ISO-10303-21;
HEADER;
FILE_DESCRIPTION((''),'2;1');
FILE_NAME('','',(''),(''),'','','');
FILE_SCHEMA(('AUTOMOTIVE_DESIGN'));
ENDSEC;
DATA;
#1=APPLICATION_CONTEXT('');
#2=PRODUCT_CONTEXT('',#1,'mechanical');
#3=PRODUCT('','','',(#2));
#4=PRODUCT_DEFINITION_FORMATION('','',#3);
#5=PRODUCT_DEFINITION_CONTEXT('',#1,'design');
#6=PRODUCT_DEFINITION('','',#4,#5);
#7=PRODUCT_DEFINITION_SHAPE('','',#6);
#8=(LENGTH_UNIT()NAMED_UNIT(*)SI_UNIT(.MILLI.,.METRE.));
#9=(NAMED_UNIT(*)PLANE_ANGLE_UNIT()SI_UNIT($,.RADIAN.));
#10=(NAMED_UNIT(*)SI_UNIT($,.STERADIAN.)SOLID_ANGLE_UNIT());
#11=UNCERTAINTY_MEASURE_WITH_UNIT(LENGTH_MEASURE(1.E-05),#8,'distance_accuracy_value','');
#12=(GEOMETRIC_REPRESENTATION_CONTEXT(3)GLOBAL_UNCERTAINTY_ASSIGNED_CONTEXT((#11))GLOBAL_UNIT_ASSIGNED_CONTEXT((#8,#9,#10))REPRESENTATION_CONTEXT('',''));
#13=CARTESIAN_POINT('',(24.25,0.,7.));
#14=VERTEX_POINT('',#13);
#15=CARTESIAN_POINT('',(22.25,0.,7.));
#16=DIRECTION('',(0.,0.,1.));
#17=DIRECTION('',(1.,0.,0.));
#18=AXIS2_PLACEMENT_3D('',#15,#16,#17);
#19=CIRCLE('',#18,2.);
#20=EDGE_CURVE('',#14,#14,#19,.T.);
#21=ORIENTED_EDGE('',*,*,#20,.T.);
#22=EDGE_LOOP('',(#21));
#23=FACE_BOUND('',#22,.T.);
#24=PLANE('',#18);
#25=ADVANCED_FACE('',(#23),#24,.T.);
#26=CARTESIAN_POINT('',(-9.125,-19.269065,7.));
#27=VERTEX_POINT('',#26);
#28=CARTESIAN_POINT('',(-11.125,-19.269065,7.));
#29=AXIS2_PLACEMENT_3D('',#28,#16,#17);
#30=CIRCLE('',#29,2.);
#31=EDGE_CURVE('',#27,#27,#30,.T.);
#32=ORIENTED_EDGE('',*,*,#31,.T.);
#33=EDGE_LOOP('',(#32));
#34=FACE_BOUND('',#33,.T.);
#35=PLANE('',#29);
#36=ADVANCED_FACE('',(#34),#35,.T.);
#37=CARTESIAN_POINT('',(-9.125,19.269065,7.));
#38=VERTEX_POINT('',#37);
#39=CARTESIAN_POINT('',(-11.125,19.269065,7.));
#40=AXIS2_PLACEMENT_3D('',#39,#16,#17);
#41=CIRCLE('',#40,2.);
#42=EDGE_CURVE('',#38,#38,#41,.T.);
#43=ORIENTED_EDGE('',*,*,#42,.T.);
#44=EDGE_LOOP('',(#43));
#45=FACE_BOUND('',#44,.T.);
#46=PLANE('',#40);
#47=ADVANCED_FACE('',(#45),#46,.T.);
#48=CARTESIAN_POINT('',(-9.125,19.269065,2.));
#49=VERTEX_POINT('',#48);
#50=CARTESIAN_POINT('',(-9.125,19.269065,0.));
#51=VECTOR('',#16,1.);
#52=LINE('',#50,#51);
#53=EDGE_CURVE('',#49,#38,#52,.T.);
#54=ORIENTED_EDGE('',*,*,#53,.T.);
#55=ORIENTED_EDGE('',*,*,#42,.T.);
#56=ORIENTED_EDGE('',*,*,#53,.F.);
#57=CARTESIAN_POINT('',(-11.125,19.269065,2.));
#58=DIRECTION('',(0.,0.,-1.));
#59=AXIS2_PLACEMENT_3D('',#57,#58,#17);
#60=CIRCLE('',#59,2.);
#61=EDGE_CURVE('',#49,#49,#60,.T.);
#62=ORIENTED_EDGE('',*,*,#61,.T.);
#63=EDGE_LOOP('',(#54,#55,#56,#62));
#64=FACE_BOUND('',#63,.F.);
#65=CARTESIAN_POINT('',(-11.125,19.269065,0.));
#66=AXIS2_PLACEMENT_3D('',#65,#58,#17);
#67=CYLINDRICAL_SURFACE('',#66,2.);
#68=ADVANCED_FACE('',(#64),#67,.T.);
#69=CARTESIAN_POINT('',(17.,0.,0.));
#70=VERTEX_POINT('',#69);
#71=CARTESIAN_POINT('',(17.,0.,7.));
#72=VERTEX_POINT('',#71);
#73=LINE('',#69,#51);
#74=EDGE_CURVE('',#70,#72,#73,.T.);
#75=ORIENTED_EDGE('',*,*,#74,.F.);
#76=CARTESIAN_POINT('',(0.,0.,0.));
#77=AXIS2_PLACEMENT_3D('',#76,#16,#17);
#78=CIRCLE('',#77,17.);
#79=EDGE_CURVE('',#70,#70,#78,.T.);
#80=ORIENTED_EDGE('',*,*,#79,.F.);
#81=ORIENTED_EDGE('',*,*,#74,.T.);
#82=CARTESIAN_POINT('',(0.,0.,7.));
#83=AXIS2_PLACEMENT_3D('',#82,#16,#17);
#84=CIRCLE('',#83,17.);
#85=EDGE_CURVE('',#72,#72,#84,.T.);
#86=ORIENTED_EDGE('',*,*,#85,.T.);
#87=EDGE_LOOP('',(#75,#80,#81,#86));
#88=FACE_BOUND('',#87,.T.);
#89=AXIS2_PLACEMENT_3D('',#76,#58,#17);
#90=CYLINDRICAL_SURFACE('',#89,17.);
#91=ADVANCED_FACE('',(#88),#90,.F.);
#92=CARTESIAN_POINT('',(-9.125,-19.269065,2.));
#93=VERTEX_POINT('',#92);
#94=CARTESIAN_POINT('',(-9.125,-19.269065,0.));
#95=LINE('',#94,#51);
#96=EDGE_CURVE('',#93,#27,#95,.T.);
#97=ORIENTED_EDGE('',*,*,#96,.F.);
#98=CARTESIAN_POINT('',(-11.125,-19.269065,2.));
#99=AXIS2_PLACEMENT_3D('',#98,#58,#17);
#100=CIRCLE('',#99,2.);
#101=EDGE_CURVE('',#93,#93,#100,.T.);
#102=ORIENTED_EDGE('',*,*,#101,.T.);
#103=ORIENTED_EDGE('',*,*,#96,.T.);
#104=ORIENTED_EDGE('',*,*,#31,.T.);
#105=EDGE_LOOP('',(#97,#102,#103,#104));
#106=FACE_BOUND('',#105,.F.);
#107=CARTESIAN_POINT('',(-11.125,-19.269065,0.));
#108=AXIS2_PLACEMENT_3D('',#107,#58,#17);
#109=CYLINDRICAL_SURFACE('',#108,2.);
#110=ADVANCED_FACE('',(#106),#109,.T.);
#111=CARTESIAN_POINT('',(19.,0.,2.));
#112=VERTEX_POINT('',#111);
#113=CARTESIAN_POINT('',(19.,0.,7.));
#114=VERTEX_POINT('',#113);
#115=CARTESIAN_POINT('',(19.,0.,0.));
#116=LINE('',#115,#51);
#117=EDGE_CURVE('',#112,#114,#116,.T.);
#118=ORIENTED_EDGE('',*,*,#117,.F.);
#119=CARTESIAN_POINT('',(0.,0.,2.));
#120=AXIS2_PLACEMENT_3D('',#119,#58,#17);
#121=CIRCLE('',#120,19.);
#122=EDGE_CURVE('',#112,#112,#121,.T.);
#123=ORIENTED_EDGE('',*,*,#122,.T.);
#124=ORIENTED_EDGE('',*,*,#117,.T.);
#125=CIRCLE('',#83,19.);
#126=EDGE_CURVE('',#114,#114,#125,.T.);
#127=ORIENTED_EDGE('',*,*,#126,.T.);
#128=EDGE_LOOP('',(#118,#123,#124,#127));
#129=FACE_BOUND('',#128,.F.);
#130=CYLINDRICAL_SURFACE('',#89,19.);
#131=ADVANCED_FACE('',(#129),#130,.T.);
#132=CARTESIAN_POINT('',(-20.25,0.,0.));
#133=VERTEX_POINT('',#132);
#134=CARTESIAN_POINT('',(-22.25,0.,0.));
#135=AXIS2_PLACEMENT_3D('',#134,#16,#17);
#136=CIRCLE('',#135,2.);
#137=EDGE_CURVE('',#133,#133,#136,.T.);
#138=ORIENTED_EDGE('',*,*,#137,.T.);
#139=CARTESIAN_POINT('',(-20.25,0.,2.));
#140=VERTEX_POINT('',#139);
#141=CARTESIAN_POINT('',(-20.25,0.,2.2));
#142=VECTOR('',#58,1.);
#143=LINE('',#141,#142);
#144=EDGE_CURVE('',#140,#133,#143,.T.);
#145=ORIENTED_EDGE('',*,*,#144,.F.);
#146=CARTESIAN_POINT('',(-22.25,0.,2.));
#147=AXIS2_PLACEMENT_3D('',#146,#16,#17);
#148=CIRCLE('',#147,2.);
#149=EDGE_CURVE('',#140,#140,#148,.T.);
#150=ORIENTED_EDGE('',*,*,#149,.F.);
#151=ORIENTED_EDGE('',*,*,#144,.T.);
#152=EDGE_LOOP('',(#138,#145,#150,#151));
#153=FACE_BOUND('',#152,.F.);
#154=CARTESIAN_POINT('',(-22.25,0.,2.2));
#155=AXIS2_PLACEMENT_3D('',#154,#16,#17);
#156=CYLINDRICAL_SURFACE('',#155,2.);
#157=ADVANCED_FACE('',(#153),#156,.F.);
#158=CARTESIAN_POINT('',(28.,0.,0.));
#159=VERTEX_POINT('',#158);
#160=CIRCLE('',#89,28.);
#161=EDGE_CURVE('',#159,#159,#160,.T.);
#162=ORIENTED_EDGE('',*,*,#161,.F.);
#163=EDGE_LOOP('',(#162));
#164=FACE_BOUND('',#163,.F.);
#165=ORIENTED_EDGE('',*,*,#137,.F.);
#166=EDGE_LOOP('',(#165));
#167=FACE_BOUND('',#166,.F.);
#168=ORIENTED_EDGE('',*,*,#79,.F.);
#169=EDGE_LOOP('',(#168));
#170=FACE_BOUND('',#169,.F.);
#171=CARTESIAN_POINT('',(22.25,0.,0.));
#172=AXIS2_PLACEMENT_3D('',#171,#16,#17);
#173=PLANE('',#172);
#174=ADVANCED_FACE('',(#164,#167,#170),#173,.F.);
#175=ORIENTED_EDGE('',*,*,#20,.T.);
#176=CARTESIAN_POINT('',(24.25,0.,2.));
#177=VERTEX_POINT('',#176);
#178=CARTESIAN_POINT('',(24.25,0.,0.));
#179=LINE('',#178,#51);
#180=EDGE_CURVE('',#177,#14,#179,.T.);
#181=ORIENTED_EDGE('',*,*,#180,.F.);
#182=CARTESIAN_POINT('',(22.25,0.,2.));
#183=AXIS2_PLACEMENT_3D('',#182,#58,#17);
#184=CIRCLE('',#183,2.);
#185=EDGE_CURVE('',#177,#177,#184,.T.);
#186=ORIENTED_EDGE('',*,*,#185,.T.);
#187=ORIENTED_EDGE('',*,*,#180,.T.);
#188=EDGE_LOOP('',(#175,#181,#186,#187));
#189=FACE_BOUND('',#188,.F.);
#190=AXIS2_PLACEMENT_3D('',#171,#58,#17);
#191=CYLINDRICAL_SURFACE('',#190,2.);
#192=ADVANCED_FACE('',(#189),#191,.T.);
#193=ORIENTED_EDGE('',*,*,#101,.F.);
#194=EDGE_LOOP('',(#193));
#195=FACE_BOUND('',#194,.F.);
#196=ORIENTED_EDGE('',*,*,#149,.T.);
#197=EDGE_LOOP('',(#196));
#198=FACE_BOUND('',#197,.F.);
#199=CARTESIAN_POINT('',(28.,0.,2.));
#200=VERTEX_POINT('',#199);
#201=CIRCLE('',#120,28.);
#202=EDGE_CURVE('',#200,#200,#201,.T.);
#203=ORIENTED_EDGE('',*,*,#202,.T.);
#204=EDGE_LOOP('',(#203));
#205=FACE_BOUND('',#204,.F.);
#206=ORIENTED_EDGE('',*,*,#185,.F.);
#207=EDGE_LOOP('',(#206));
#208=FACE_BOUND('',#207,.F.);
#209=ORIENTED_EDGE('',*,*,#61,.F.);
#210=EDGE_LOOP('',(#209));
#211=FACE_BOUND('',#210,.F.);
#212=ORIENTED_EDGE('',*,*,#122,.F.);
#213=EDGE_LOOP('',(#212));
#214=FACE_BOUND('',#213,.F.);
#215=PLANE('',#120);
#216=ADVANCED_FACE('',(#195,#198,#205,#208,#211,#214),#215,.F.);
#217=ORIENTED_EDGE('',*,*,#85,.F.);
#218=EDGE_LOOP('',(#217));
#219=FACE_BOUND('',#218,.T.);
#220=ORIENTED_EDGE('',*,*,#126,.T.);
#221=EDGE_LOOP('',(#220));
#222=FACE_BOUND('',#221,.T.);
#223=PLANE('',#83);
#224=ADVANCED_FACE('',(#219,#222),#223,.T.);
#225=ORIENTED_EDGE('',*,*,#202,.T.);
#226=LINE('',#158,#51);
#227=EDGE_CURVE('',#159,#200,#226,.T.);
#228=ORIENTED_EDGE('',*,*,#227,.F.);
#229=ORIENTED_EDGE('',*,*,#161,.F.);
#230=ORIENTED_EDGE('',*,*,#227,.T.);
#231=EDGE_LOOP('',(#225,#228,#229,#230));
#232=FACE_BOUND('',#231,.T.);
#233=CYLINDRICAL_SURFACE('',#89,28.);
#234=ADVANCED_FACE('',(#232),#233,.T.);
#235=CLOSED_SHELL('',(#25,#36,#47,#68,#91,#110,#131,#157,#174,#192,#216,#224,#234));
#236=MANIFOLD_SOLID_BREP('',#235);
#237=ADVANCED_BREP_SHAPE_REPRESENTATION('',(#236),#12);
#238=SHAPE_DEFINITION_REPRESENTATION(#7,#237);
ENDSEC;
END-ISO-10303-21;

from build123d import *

# Parameters (mm, degrees)
SKETCH019_R     = 19
SKETCH019_R_2   = 17
PAD009003_DEPTH = 7
SKETCH017_R     = 28
SKETCH017_R_2   = 19
PAD009004_DEPTH = 2
SKETCH018_R     = 2
PAD009005_DEPTH = 7
SKETCH020_R     = 2
POCKET003_DEPTH = 5


with BuildPart() as part:
    # Sketch019 → Pad009003 (new body)
    with BuildSketch(Plane.XY):
        Circle(SKETCH019_R)
        Circle(SKETCH019_R_2, mode=Mode.SUBTRACT)
    extrude(amount=PAD009003_DEPTH)

    # Sketch017 → Pad009004 (join)
    with BuildSketch(Plane(origin=(0, 0, 0), x_dir=(1, 0, 0), z_dir=(0, 0, -1))):
        Circle(SKETCH017_R)
        Circle(SKETCH017_R_2, mode=Mode.SUBTRACT)
    extrude(amount=-PAD009004_DEPTH)

    # Sketch018 → Pad009005 (join)
    with BuildSketch(Plane.XY):
        with Locations((22.25, 0)):
            Circle(SKETCH018_R)
        with Locations((-11.125, 19.269065)):
            Circle(SKETCH018_R)
        with Locations((-11.125, -19.269065)):
            Circle(SKETCH018_R)
    extrude(amount=PAD009005_DEPTH)

    # Sketch020 → Pocket003 (cut)
    with BuildSketch(Plane.XY.offset(2.2)):
        with Locations((-22.25, 0)):
            Circle(SKETCH020_R)
    extrude(amount=-POCKET003_DEPTH, mode=Mode.SUBTRACT)


solid = part.part
